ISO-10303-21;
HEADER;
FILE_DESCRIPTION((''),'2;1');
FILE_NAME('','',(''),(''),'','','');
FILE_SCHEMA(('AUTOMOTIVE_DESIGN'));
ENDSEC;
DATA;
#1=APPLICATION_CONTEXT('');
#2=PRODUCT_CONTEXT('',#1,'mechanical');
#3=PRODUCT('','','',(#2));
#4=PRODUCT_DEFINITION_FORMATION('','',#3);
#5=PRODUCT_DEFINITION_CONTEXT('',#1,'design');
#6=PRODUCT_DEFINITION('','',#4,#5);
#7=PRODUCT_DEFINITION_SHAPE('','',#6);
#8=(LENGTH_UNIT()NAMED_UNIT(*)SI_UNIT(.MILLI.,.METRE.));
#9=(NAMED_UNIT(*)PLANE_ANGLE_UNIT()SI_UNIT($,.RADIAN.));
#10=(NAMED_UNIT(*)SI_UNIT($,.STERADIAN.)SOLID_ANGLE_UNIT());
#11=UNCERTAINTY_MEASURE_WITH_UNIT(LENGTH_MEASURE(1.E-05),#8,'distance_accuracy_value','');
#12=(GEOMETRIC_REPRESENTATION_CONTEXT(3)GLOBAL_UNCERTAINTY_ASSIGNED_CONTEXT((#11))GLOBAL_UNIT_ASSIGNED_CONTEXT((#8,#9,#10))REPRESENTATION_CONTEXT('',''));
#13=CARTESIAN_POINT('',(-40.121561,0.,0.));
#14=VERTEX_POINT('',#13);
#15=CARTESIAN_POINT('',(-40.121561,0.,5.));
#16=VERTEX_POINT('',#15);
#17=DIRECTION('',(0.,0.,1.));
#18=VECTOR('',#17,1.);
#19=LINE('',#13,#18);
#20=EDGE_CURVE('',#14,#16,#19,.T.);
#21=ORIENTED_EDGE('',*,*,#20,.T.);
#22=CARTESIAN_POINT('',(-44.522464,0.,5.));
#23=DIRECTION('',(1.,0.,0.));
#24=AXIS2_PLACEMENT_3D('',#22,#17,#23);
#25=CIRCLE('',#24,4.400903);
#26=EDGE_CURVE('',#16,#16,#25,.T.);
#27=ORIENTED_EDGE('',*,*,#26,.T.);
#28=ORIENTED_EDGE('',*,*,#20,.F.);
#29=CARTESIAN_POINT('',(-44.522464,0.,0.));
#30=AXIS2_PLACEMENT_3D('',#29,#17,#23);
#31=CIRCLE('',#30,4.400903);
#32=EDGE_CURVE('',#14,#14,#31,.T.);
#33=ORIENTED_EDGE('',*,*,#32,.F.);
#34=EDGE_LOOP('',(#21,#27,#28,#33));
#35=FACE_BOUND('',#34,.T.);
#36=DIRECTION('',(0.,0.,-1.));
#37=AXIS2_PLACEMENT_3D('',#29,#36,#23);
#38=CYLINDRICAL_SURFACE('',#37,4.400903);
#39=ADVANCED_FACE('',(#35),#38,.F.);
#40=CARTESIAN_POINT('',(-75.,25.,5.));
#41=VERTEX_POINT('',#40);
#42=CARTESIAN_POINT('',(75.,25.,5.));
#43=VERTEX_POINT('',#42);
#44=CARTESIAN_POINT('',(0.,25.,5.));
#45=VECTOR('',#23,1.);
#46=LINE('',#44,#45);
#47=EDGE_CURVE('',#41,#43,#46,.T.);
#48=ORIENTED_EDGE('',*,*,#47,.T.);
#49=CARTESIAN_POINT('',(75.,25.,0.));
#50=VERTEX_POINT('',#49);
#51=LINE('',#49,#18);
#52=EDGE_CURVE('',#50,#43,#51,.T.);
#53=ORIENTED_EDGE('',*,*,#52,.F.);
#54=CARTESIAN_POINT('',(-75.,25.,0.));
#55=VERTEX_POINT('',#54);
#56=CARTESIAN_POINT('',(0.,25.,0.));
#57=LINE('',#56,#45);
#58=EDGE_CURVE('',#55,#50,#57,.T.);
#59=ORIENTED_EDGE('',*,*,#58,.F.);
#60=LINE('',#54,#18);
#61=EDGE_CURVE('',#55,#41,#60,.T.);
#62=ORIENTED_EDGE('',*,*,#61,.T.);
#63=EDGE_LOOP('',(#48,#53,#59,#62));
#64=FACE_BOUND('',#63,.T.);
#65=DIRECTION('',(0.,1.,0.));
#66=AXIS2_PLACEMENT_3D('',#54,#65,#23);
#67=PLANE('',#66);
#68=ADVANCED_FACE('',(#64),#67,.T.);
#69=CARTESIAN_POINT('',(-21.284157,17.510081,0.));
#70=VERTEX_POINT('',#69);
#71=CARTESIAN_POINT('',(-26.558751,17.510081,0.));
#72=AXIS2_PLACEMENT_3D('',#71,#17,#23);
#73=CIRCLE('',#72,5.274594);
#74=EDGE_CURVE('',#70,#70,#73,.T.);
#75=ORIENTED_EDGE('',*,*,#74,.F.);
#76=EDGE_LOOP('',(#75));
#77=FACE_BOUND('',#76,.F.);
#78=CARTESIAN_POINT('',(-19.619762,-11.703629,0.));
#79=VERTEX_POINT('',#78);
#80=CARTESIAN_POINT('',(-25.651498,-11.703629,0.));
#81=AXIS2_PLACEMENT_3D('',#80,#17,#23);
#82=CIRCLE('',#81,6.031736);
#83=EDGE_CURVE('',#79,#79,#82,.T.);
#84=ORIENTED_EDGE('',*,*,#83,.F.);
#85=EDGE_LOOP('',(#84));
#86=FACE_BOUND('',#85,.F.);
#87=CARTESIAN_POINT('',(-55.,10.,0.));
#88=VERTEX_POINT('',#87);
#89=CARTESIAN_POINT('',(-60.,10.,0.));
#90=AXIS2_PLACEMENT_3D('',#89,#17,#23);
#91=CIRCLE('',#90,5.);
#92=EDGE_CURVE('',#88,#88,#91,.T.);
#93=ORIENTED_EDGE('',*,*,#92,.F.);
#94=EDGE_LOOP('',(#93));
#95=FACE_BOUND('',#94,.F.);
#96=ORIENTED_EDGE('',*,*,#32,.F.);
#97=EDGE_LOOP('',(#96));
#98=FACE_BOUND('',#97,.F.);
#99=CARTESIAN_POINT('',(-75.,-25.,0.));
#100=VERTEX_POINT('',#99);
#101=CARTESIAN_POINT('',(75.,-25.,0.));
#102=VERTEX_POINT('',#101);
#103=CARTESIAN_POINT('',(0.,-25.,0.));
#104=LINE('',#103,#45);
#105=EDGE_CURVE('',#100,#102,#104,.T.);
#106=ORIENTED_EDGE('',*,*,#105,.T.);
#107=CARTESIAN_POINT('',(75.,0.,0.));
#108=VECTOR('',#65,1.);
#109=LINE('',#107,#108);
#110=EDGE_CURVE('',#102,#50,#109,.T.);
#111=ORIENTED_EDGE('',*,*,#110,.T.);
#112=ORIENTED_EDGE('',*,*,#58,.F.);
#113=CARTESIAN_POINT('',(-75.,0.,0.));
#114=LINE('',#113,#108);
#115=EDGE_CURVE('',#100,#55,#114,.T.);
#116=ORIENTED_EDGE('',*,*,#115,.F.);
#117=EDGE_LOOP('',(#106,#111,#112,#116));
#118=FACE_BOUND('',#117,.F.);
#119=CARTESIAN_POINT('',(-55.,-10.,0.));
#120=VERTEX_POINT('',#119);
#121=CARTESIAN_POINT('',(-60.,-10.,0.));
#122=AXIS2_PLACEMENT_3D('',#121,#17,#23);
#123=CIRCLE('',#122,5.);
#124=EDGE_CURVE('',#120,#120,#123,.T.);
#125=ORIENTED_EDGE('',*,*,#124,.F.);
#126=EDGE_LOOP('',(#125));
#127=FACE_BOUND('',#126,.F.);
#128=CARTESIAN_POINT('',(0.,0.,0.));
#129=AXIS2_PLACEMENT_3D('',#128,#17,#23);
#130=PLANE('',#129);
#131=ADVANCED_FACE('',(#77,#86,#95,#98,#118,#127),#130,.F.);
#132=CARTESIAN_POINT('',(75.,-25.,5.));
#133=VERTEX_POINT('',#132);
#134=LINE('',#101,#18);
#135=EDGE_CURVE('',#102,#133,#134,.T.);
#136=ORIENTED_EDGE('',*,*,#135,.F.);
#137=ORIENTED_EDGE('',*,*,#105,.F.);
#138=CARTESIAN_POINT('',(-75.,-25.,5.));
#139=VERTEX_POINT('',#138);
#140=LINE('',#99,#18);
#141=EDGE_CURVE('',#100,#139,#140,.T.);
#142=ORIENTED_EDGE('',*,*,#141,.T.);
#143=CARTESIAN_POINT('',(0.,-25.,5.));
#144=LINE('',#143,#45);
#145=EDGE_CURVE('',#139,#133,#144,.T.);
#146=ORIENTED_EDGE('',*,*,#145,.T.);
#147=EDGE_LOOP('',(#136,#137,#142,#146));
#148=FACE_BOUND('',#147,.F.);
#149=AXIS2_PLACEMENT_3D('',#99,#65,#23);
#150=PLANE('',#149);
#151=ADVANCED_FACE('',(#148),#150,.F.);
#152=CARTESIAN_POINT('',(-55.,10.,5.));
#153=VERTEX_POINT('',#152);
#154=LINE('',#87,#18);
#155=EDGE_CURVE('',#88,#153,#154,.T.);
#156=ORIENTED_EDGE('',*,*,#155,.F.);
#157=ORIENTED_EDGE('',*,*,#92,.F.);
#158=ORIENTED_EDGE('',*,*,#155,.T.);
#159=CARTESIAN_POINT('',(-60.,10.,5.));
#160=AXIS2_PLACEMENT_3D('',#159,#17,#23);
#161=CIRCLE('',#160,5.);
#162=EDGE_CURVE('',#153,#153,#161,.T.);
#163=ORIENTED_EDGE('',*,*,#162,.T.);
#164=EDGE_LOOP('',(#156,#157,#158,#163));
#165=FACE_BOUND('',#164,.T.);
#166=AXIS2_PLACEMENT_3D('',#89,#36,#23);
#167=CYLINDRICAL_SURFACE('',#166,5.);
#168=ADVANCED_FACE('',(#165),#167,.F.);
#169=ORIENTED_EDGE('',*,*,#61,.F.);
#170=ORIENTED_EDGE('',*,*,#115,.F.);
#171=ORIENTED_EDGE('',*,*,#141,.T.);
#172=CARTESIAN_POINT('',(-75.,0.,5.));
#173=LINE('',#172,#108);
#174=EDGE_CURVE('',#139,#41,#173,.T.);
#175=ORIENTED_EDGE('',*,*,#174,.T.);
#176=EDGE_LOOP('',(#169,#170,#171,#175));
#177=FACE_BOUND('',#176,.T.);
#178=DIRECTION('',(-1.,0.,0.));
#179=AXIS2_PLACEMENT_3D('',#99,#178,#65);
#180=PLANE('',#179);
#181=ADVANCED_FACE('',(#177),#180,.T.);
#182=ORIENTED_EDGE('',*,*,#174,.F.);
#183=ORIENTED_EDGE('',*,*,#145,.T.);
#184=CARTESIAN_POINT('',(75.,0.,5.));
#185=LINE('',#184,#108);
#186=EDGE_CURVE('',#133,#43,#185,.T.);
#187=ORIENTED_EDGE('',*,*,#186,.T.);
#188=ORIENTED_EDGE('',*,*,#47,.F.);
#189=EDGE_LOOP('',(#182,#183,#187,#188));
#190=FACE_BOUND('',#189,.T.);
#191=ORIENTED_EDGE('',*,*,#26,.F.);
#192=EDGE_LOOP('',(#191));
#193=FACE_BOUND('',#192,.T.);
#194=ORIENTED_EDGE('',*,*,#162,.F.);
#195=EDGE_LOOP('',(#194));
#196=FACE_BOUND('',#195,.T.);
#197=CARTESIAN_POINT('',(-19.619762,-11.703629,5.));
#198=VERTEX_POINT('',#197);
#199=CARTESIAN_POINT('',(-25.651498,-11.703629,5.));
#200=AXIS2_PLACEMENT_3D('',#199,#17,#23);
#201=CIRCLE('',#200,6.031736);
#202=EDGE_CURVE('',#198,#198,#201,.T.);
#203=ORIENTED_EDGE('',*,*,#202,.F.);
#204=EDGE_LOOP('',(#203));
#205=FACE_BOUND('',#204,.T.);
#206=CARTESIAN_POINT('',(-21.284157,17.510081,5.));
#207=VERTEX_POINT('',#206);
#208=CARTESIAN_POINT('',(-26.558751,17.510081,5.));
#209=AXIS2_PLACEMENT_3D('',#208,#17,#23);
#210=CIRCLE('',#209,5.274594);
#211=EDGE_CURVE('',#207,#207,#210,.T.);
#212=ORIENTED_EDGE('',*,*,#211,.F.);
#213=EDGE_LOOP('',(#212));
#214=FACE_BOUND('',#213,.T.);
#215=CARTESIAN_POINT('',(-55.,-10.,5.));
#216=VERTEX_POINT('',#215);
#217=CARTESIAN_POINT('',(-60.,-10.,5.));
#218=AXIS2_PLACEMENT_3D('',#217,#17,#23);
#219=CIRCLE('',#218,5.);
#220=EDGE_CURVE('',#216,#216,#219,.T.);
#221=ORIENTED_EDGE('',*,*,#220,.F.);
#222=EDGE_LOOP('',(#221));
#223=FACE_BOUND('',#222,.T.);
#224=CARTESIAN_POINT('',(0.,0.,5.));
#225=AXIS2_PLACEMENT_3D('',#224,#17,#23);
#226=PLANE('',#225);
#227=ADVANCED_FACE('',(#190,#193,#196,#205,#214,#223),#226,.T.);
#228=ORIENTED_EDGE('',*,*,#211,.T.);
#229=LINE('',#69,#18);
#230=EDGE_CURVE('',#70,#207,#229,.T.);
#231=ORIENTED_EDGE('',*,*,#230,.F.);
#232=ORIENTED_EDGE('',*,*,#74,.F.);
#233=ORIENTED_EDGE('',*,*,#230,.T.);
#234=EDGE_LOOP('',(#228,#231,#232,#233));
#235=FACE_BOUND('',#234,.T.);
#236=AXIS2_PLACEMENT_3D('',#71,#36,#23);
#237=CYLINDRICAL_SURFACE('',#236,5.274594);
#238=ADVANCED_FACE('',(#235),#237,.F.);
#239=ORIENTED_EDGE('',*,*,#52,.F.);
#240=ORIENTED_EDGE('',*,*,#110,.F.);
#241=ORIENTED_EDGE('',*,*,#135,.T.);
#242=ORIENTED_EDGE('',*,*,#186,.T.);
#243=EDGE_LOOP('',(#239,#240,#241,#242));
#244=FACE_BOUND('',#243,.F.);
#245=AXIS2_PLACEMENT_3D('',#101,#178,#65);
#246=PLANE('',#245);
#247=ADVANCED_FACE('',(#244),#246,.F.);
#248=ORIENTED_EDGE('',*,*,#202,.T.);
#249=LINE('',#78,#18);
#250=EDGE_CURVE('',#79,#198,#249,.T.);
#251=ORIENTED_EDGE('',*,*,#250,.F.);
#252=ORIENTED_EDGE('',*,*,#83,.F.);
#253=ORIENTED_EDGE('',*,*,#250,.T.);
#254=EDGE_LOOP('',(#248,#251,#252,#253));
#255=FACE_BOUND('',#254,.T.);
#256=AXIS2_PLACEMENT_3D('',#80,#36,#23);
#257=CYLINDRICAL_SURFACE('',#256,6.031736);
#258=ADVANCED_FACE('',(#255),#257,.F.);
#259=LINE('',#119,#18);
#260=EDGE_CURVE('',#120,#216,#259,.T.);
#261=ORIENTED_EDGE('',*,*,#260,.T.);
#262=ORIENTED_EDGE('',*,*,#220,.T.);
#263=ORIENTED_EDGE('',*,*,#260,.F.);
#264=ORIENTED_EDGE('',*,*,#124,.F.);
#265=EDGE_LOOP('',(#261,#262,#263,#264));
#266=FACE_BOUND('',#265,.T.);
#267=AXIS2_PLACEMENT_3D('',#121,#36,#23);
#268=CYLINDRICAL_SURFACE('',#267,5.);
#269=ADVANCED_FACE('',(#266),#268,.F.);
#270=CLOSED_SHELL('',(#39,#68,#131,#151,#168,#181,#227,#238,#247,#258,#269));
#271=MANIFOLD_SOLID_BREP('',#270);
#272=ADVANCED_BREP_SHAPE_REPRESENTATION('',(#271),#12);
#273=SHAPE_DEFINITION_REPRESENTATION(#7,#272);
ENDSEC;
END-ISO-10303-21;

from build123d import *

# Parameters (mm, degrees)
F0_W     = 150
F0_H     = 50
F0_R     = 5
F0_R_2   = 6.031736
F0_R_3   = 4.400903
F0_R_4   = 5.274594
F1_DEPTH = 5


with BuildPart() as f1:
    # F0 (on Top) → F1 (new body)
    with BuildSketch(Plane.XY):
        Rectangle(F0_W, F0_H)
        with Locations((-60, -10)):
            Circle(F0_R, mode=Mode.SUBTRACT)
        with Locations((-25.651498, -11.703629)):
            Circle(F0_R_2, mode=Mode.SUBTRACT)
        with Locations((-44.522464, 0)):
            Circle(F0_R_3, mode=Mode.SUBTRACT)
        with Locations((-60, 10)):
            Circle(F0_R, mode=Mode.SUBTRACT)
        with Locations((-26.558751, 17.510081)):
            Circle(F0_R_4, mode=Mode.SUBTRACT)
    extrude(amount=F1_DEPTH)


solid = f1.part
